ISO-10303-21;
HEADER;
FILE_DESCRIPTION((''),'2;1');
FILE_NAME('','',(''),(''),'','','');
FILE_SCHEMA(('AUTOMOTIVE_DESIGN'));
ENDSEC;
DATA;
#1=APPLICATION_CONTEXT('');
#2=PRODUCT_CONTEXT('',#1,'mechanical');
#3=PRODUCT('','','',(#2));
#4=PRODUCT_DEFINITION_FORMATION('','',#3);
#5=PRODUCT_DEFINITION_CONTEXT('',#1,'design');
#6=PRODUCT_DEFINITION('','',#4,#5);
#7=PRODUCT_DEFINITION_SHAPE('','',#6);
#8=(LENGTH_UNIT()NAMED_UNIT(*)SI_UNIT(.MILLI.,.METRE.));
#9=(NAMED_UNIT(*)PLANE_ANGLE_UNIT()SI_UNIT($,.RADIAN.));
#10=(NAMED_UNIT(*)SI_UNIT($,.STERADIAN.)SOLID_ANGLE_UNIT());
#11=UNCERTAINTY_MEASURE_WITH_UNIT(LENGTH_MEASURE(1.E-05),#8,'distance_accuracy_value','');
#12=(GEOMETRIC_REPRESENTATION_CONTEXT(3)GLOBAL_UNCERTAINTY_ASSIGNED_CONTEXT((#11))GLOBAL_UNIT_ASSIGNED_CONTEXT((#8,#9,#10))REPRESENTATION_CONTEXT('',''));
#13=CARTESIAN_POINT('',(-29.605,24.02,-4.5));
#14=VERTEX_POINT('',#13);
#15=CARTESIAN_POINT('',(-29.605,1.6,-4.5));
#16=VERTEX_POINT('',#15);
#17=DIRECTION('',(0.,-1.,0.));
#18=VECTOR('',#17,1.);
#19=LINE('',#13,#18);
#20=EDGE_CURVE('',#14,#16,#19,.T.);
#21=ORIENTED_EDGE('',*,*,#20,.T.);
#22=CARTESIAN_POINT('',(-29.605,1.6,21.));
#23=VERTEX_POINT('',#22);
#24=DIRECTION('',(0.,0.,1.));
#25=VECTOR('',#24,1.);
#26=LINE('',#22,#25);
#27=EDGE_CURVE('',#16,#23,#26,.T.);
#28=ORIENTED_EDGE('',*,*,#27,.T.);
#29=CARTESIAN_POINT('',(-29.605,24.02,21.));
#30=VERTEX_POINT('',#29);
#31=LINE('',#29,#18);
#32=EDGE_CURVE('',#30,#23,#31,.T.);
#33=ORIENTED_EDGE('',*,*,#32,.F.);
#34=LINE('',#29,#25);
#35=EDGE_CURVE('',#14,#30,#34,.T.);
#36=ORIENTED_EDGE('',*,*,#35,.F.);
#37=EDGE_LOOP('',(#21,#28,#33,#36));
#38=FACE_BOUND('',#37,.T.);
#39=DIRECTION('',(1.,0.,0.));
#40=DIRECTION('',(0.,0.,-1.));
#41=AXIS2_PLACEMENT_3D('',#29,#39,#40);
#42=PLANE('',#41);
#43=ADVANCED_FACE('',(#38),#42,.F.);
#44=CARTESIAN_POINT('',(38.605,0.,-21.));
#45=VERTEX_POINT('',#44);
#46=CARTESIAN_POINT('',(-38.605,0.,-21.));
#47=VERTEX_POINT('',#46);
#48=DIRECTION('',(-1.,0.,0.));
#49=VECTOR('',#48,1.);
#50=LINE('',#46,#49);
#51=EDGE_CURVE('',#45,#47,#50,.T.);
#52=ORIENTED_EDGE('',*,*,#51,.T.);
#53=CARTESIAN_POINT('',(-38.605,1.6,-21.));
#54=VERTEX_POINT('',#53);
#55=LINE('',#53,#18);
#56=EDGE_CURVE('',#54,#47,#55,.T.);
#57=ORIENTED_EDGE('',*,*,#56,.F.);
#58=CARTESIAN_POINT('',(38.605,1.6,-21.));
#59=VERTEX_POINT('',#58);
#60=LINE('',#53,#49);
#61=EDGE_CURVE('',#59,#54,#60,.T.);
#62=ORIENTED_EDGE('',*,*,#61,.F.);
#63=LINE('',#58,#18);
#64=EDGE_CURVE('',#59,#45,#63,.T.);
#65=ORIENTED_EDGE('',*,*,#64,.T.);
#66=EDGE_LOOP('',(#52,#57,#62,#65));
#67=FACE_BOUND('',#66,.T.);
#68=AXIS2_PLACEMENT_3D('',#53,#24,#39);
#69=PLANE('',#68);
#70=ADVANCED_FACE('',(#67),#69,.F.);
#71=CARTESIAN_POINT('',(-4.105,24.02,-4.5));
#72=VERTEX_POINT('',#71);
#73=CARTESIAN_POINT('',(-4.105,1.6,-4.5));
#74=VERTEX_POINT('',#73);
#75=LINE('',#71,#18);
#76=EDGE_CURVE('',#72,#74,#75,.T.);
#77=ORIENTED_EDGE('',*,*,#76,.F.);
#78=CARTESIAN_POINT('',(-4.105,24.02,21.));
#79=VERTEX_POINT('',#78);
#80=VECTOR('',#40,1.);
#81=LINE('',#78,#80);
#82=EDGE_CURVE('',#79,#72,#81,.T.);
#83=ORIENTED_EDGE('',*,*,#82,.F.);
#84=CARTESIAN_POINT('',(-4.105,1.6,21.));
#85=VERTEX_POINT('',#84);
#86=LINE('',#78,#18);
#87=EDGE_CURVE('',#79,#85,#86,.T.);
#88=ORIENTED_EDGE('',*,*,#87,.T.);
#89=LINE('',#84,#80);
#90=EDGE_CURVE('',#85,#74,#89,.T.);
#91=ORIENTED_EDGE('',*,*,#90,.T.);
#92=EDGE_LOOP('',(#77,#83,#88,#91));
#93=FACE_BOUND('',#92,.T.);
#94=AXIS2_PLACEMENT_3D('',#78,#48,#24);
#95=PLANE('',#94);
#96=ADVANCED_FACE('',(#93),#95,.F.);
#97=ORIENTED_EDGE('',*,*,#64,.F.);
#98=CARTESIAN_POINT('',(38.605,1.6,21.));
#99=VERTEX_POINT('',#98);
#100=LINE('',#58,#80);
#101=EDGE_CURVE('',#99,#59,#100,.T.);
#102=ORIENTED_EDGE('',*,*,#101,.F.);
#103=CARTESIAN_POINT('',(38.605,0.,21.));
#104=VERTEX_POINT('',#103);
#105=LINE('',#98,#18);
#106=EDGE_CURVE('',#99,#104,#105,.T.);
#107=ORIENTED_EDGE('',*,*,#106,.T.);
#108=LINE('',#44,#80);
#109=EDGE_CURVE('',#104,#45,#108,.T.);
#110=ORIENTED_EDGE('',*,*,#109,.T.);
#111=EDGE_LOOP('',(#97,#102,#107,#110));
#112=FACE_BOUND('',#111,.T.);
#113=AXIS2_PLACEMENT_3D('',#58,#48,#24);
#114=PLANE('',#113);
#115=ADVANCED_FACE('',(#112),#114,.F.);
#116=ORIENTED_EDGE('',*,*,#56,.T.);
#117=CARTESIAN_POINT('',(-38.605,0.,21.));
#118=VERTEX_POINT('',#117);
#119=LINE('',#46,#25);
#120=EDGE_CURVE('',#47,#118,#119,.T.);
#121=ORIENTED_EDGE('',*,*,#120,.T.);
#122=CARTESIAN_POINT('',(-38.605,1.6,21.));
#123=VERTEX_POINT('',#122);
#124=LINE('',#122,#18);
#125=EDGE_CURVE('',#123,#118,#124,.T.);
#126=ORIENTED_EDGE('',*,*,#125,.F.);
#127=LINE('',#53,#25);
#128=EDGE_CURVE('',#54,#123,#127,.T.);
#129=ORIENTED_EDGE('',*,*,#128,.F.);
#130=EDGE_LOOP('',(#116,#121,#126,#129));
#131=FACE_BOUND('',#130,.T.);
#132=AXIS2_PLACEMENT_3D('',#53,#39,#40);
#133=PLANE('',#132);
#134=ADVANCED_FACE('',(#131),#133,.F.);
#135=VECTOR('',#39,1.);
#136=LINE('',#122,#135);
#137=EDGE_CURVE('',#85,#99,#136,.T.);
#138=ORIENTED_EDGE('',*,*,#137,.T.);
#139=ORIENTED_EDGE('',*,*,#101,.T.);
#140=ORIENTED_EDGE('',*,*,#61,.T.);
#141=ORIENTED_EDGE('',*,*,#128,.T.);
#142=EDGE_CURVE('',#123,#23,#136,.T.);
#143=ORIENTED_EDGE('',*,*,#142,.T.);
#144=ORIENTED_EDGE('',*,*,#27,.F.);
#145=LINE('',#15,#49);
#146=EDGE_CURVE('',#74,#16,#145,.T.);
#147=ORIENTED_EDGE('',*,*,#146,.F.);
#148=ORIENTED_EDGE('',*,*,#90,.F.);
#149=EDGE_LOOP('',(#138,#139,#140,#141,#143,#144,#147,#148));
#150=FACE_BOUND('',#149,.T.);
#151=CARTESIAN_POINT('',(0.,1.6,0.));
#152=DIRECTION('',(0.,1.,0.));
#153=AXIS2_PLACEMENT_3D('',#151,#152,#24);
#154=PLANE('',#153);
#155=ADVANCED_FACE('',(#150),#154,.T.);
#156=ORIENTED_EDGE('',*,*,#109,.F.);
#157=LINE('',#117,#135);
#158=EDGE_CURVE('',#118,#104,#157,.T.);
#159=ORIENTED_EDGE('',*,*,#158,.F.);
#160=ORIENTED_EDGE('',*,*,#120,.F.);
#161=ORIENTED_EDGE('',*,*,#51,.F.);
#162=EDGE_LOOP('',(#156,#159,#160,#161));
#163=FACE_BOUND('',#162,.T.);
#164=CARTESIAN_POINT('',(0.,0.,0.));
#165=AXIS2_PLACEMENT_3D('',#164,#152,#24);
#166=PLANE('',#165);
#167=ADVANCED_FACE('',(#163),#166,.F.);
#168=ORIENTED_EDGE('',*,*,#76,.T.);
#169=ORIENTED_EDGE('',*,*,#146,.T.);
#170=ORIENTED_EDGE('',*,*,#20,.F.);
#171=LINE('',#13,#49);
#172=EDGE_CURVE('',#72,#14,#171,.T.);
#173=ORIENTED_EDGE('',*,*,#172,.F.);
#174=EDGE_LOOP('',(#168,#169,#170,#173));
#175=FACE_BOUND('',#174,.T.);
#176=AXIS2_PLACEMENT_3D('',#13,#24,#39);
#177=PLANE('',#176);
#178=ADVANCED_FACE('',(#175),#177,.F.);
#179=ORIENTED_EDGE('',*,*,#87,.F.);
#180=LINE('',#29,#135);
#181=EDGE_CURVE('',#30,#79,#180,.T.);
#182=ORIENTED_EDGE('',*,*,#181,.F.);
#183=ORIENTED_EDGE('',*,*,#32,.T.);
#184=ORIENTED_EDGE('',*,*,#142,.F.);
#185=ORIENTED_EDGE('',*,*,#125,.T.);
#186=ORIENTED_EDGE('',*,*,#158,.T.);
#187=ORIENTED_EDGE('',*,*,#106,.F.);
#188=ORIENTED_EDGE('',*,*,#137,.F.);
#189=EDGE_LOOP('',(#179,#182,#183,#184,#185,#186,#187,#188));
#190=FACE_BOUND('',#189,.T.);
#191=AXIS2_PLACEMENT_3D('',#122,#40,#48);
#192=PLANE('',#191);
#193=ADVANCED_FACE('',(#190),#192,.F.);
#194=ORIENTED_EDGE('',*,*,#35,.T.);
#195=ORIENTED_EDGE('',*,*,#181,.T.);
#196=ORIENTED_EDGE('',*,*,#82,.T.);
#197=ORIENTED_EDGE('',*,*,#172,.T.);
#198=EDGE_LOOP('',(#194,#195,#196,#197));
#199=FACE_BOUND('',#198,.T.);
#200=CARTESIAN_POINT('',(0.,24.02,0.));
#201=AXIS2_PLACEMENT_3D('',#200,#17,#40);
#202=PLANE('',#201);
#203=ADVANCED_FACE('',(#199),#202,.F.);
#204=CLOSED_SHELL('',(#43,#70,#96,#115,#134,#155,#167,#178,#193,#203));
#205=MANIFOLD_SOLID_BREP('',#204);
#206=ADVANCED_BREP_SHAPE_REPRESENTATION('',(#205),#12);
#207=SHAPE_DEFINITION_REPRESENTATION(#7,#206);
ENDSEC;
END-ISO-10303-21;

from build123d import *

# Parameters (mm, degrees)
SKETCH1_W           = 77.21
SKETCH1_H           = 42
BOSS_EXTRUDE1_DEPTH = 1.6
SKETCH2_W           = 25.5
SKETCH2_H           = 25.5
BOSS_EXTRUDE2_DEPTH = 22.42


with BuildPart() as part:
    # Sketch1 → Boss-Extrude1 (new body)
    with BuildSketch(Plane(origin=(0, 0, 0), x_dir=(1, 0, 0), z_dir=(0, 1, 0))):
        Rectangle(SKETCH1_W, SKETCH1_H)
    extrude(amount=BOSS_EXTRUDE1_DEPTH)

    # Sketch2 → Boss-Extrude2 (add)
    with BuildSketch(Plane(origin=(0, 1.6, 0), x_dir=(1, 0, 0), z_dir=(0, 1, 0))):
        with Locations((-16.855, -8.25)):
            Rectangle(SKETCH2_W, SKETCH2_H)
    extrude(amount=BOSS_EXTRUDE2_DEPTH)


solid = part.part
